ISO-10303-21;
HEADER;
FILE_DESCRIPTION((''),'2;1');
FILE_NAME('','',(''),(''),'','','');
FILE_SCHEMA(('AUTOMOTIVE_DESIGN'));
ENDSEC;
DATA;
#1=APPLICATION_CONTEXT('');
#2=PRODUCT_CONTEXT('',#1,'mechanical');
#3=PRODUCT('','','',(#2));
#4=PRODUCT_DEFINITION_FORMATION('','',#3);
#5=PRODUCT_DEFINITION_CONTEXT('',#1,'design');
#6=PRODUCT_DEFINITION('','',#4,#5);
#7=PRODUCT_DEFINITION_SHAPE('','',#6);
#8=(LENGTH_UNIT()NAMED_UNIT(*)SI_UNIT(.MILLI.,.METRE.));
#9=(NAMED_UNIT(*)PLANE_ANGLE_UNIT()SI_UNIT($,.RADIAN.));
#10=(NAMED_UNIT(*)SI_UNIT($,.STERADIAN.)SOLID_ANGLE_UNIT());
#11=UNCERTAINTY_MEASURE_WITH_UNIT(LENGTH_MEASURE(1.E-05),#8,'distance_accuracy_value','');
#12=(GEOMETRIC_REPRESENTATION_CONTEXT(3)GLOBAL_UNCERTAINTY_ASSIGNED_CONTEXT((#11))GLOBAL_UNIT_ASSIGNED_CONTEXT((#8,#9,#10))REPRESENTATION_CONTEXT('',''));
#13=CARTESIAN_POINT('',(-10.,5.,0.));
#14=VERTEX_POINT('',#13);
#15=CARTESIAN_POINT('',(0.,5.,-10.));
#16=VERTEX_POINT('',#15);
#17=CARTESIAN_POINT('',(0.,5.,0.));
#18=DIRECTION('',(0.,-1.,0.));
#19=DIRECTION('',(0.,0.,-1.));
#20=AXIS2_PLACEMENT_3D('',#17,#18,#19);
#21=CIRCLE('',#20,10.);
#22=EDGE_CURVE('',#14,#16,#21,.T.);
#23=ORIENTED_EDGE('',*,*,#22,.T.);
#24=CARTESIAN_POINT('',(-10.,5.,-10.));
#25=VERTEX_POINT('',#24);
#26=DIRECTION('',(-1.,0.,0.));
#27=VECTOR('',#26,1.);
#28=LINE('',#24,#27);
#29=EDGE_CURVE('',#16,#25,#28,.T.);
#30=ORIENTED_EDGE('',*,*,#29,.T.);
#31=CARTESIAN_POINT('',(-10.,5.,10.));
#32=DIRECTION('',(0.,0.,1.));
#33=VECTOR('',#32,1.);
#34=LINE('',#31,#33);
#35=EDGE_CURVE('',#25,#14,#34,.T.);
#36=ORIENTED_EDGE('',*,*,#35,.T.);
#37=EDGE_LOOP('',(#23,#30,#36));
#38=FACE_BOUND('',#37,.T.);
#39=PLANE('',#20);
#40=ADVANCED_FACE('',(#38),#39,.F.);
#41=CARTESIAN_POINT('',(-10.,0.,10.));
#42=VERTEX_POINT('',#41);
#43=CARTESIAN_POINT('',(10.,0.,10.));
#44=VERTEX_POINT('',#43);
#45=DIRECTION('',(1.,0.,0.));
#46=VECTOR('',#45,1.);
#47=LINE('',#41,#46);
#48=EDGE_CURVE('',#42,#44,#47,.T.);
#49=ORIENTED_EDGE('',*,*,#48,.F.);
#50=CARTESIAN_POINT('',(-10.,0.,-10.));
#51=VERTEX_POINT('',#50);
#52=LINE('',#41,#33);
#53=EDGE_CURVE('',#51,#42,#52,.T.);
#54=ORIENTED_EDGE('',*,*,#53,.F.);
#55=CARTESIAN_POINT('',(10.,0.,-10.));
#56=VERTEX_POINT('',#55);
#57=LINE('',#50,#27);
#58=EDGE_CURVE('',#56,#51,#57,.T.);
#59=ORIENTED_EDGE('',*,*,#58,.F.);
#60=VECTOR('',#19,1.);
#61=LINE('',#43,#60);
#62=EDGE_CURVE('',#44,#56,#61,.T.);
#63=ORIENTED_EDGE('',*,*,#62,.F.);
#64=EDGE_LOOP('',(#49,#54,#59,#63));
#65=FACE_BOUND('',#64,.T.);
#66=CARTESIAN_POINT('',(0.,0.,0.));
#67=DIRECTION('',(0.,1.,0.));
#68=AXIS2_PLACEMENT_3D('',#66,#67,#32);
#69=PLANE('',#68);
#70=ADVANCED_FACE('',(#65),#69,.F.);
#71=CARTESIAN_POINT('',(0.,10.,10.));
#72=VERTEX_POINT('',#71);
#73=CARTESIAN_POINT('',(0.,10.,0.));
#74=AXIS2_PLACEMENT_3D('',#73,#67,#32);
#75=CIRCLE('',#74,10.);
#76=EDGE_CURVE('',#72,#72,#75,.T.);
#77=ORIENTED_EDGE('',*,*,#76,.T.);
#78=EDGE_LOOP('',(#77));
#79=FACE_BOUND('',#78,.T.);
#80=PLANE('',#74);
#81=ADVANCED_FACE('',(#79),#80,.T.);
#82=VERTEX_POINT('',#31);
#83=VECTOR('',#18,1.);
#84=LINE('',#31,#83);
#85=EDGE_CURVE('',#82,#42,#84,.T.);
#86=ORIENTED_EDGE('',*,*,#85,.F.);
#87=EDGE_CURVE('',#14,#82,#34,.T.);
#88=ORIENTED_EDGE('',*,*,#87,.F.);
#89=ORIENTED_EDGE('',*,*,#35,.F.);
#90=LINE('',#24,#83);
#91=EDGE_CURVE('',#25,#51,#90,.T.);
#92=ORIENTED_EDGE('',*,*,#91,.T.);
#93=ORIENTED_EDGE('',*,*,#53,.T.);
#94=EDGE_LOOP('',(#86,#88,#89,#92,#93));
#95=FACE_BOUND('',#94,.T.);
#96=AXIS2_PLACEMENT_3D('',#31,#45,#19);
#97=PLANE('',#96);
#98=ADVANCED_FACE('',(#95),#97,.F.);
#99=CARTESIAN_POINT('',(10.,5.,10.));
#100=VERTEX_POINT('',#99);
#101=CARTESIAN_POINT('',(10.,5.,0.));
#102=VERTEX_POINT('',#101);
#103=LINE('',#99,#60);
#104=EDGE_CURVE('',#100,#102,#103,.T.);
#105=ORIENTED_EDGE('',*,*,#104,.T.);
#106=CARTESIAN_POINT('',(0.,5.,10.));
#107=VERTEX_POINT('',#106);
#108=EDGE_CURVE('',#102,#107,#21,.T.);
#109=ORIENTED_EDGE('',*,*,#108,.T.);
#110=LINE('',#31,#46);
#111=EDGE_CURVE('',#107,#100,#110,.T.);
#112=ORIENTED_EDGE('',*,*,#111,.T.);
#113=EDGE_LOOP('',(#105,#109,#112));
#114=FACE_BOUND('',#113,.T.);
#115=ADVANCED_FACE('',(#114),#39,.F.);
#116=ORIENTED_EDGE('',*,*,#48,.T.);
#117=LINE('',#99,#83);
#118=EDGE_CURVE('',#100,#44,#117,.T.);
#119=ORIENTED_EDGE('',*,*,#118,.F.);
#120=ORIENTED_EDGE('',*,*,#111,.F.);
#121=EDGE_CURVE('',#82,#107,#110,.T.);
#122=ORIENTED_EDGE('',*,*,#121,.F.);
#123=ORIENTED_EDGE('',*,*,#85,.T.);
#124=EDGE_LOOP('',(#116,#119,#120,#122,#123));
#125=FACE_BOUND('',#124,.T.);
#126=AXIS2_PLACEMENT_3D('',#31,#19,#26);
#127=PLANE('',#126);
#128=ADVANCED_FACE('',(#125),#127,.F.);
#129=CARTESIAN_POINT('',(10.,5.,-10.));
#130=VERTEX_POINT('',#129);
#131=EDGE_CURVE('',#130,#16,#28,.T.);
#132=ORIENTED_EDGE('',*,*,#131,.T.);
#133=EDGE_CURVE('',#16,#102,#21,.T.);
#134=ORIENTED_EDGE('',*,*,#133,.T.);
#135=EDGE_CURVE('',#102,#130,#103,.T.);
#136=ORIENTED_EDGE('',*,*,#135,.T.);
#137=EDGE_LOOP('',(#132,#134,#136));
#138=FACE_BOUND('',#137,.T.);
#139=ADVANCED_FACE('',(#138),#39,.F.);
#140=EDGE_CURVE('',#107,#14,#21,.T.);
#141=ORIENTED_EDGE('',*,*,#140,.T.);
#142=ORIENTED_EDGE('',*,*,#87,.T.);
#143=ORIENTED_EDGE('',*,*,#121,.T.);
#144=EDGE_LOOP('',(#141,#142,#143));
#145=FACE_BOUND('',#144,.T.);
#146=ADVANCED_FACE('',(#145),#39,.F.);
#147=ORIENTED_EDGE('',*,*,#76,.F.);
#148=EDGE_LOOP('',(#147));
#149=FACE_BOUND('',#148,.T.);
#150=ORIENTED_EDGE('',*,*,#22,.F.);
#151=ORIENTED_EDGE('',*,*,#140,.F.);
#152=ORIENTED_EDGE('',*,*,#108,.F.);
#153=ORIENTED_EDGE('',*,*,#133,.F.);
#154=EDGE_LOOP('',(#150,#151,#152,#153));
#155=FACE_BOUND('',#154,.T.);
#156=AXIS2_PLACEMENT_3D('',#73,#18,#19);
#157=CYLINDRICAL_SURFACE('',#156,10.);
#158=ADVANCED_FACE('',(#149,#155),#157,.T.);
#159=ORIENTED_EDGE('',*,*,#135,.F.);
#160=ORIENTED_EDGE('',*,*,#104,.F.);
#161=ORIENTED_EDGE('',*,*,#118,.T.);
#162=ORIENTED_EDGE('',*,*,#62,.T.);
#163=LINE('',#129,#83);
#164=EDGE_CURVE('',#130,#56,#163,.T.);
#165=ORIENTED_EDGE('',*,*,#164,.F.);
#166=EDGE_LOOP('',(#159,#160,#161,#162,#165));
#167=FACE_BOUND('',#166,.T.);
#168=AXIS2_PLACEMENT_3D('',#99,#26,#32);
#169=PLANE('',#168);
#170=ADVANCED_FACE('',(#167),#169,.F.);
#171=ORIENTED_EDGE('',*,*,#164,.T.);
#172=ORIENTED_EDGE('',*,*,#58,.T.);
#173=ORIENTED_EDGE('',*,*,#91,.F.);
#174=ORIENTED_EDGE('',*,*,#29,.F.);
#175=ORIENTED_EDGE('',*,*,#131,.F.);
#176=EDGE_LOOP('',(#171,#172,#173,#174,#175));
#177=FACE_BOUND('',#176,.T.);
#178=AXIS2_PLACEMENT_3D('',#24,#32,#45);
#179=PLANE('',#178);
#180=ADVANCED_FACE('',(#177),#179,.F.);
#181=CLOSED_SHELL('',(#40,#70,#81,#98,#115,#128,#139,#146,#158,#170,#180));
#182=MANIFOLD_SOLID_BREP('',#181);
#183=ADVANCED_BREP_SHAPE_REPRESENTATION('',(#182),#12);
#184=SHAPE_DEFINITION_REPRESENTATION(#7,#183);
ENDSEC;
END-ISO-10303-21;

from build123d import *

# Parameters (mm, degrees)
SKETCH1_R           = 10
BOSS_EXTRUDE1_DEPTH = 10
SKETCH2_W           = 20
SKETCH2_H           = 20
BOSS_EXTRUDE2_DEPTH = 5


with BuildPart() as part:
    # Sketch1 → Boss-Extrude1 (new body)
    with BuildSketch(Plane(origin=(0, 0, 0), x_dir=(1, 0, 0), z_dir=(0, 1, 0))):
        with Locations(Location((0, 0, 0), (0, 0, 270))):
            Circle(SKETCH1_R)
    extrude(amount=BOSS_EXTRUDE1_DEPTH)

    # Sketch2 → Boss-Extrude2 (add)
    with BuildSketch(Plane(origin=(0, 0, 0), x_dir=(1, 0, 0), z_dir=(0, 1, 0))):
        Rectangle(SKETCH2_W, SKETCH2_H)
    extrude(amount=BOSS_EXTRUDE2_DEPTH)


solid = part.part
